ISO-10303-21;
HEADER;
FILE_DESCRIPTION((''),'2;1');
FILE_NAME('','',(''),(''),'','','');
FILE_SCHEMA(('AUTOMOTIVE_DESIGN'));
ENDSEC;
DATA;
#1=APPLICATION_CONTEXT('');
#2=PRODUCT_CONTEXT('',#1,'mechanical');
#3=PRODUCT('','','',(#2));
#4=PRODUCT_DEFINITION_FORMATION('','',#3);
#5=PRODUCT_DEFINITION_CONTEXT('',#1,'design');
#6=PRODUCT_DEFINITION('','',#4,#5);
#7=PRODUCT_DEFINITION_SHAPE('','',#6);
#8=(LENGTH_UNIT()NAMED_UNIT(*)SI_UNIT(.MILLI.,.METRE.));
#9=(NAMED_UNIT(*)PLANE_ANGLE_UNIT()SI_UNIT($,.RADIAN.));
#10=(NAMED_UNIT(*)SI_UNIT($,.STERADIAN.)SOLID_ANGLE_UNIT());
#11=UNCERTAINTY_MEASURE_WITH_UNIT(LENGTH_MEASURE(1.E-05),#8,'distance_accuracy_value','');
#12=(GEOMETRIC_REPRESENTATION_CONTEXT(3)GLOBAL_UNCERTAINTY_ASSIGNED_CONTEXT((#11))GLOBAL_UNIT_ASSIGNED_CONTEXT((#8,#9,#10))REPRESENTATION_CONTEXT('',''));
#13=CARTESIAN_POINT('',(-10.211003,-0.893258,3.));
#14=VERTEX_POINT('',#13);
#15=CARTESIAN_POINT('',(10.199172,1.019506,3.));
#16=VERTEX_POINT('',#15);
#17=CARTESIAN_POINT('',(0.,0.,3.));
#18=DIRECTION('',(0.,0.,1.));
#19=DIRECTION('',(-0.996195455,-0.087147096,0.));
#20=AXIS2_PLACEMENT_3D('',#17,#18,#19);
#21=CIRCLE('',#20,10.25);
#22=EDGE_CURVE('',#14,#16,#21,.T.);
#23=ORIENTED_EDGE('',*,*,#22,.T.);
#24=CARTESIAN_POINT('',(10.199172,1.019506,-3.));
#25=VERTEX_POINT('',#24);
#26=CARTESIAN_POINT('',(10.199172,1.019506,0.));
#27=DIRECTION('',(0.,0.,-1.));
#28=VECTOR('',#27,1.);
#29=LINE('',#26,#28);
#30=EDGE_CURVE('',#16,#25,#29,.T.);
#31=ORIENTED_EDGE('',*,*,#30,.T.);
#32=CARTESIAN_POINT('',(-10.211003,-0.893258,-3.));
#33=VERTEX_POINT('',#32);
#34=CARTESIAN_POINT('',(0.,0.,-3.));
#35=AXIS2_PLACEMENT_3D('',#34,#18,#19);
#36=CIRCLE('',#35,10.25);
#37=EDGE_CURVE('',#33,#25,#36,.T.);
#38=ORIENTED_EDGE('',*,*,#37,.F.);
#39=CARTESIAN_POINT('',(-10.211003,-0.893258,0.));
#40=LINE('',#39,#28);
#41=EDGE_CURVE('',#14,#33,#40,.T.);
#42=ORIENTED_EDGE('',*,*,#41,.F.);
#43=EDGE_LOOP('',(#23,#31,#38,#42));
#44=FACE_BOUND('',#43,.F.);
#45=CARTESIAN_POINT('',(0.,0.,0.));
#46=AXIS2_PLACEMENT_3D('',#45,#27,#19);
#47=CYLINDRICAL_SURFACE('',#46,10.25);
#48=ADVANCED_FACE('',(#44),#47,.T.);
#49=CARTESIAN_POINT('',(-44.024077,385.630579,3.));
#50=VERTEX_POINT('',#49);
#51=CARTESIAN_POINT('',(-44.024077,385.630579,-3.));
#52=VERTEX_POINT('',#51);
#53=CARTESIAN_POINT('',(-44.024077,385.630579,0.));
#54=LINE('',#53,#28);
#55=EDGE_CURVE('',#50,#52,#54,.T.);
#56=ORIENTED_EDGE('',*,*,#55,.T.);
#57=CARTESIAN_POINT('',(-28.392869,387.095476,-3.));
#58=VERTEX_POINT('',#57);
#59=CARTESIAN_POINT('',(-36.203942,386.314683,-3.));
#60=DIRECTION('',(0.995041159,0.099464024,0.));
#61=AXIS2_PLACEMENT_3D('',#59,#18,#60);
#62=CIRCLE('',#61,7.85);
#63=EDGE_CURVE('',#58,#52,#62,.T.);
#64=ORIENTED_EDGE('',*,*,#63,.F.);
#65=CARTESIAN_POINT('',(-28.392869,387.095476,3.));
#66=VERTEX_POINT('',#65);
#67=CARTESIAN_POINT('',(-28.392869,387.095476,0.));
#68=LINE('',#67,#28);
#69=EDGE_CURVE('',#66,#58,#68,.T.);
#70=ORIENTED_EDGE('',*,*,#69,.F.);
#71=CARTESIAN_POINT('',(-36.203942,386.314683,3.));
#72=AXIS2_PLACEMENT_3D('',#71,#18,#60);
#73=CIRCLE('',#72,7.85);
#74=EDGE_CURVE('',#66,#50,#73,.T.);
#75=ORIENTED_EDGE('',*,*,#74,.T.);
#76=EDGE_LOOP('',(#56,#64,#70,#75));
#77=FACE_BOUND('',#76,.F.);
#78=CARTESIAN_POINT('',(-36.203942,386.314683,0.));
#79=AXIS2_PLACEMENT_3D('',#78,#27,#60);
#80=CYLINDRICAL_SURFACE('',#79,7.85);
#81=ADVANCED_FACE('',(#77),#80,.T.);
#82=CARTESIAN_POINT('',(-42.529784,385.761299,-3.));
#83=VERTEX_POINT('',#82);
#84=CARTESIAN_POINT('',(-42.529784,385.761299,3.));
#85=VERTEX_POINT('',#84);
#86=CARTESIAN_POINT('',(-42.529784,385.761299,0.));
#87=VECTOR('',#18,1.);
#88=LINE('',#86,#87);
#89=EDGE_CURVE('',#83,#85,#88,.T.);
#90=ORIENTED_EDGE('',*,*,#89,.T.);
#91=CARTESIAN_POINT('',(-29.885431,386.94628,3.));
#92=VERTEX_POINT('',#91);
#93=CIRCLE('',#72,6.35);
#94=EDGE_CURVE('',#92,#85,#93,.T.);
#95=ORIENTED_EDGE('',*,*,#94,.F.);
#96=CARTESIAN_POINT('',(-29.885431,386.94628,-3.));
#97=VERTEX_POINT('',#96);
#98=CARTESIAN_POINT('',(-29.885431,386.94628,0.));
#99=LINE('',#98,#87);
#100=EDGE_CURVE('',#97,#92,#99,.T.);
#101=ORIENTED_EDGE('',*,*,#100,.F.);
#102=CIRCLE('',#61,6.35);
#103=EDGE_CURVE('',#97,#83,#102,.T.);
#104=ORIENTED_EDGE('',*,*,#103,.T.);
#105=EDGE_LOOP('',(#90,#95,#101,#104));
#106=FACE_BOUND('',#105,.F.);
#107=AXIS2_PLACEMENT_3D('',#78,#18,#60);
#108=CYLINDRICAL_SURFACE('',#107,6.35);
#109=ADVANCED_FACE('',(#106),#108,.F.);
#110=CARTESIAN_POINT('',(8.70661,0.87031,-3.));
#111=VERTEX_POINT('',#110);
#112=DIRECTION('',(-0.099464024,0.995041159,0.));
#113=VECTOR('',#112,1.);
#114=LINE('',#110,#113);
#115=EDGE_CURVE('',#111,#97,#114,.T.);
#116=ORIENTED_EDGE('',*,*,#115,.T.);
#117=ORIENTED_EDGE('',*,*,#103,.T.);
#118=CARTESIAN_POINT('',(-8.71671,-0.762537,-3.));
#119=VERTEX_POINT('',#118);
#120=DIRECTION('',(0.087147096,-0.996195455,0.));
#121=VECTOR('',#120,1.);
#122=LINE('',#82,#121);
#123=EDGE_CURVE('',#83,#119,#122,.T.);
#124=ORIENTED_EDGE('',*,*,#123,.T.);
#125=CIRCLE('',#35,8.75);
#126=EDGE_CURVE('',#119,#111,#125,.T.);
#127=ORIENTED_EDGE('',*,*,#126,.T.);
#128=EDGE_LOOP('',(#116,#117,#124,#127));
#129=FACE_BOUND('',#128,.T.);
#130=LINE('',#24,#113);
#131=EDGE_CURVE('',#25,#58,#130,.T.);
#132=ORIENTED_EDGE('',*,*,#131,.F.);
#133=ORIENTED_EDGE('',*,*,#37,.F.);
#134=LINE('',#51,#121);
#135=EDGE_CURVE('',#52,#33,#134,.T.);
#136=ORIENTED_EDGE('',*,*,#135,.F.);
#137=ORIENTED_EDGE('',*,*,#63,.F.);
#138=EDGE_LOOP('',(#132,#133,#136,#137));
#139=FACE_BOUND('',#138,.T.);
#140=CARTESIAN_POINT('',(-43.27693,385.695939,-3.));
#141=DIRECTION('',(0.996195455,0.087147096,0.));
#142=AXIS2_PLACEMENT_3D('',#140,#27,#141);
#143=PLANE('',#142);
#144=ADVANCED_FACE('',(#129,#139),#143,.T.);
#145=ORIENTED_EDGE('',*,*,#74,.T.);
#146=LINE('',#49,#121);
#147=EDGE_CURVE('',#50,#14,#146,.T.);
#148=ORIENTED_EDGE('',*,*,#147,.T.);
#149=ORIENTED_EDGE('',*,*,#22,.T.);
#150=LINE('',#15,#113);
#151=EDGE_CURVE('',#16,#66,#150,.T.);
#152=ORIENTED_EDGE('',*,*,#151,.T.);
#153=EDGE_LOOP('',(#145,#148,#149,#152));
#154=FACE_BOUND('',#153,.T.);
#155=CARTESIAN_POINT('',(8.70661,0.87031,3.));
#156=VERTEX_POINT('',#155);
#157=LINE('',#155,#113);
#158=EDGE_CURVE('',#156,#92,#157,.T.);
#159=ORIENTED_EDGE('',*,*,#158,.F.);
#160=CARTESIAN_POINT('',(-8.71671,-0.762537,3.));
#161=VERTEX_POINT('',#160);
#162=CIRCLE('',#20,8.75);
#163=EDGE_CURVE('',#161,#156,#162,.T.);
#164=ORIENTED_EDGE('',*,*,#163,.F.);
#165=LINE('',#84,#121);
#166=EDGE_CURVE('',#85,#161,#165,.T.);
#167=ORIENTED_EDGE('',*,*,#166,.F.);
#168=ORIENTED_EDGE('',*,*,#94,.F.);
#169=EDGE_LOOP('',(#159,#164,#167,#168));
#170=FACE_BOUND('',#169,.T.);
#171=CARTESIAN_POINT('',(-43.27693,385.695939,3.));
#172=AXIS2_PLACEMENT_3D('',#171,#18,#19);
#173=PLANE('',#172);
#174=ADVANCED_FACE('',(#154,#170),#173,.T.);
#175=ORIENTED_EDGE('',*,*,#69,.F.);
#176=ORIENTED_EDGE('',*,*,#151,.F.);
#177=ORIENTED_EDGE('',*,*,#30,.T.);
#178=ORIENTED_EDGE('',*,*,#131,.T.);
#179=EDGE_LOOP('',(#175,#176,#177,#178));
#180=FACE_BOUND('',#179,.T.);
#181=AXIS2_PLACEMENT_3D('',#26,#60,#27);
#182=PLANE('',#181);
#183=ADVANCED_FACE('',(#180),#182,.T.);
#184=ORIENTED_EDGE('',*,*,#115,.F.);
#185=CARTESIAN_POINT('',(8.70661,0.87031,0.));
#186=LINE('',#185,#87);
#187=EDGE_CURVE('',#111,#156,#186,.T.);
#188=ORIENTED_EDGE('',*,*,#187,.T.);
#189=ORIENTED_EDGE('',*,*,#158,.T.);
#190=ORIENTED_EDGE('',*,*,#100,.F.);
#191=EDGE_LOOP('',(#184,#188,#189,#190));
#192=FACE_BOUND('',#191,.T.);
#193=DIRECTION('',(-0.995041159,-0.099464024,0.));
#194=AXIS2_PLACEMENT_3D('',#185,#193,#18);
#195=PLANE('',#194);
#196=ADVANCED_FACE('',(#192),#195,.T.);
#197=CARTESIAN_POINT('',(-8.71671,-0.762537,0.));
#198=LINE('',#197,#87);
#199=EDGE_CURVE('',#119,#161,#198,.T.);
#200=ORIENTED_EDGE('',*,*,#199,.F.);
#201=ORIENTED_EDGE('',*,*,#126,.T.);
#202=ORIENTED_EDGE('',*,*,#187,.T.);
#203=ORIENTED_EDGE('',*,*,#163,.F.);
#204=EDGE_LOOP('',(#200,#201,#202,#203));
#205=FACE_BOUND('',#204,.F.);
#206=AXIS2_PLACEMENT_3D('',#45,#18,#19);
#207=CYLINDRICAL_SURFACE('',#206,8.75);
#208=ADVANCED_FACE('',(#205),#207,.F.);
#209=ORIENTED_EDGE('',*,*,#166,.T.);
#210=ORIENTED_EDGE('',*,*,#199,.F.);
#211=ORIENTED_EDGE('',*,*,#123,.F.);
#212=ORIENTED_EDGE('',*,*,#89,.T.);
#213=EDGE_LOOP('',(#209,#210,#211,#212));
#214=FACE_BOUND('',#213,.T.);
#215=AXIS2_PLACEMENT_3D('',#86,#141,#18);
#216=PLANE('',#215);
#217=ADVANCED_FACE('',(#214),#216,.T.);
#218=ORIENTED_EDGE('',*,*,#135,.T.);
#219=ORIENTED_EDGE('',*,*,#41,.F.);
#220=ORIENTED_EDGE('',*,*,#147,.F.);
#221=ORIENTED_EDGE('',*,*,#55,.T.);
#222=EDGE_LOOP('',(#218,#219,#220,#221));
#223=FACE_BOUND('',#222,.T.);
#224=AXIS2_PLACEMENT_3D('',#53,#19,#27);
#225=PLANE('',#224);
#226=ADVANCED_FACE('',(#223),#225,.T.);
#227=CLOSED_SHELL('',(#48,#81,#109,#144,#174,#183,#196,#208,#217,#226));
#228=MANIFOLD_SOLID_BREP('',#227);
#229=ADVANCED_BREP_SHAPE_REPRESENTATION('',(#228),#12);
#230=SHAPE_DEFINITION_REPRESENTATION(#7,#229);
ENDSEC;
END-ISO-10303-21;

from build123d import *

# Parameters (mm, degrees)
SKETCH2_W = 1.5
SKETCH2_H = 6


with BuildPart() as part:
    # Sweep1: sweep along a path in Sketch1
    with BuildLine(Plane.XY) as sweep1_path:
        Line((-42.529783528, 385.761299265), (-8.716710227, -0.762537091))
        ThreePointArc((-8.716710227, -0.762537091), (0.816439268, -8.711826842), (8.706610141, 0.870310207))
        Line((8.706610141, 0.870310207), (-29.885431032, 386.946279875))
        ThreePointArc((-29.885431032, 386.946279875), (-36.796444032, 392.636980519), (-42.529783528, 385.761299265))
    # Sketch2 → Sweep1 (sweep)
    with BuildSketch(Plane(origin=(-25.623246878, 192.499381087, 0), x_dir=(-0.996195455, -0.087147096, 0), z_dir=(0.087147096, -0.996195455, 0))):
        with Locations((0.75, 0)):
            Rectangle(SKETCH2_W, SKETCH2_H)
    sweep(path=sweep1_path.line)


solid = part.part
